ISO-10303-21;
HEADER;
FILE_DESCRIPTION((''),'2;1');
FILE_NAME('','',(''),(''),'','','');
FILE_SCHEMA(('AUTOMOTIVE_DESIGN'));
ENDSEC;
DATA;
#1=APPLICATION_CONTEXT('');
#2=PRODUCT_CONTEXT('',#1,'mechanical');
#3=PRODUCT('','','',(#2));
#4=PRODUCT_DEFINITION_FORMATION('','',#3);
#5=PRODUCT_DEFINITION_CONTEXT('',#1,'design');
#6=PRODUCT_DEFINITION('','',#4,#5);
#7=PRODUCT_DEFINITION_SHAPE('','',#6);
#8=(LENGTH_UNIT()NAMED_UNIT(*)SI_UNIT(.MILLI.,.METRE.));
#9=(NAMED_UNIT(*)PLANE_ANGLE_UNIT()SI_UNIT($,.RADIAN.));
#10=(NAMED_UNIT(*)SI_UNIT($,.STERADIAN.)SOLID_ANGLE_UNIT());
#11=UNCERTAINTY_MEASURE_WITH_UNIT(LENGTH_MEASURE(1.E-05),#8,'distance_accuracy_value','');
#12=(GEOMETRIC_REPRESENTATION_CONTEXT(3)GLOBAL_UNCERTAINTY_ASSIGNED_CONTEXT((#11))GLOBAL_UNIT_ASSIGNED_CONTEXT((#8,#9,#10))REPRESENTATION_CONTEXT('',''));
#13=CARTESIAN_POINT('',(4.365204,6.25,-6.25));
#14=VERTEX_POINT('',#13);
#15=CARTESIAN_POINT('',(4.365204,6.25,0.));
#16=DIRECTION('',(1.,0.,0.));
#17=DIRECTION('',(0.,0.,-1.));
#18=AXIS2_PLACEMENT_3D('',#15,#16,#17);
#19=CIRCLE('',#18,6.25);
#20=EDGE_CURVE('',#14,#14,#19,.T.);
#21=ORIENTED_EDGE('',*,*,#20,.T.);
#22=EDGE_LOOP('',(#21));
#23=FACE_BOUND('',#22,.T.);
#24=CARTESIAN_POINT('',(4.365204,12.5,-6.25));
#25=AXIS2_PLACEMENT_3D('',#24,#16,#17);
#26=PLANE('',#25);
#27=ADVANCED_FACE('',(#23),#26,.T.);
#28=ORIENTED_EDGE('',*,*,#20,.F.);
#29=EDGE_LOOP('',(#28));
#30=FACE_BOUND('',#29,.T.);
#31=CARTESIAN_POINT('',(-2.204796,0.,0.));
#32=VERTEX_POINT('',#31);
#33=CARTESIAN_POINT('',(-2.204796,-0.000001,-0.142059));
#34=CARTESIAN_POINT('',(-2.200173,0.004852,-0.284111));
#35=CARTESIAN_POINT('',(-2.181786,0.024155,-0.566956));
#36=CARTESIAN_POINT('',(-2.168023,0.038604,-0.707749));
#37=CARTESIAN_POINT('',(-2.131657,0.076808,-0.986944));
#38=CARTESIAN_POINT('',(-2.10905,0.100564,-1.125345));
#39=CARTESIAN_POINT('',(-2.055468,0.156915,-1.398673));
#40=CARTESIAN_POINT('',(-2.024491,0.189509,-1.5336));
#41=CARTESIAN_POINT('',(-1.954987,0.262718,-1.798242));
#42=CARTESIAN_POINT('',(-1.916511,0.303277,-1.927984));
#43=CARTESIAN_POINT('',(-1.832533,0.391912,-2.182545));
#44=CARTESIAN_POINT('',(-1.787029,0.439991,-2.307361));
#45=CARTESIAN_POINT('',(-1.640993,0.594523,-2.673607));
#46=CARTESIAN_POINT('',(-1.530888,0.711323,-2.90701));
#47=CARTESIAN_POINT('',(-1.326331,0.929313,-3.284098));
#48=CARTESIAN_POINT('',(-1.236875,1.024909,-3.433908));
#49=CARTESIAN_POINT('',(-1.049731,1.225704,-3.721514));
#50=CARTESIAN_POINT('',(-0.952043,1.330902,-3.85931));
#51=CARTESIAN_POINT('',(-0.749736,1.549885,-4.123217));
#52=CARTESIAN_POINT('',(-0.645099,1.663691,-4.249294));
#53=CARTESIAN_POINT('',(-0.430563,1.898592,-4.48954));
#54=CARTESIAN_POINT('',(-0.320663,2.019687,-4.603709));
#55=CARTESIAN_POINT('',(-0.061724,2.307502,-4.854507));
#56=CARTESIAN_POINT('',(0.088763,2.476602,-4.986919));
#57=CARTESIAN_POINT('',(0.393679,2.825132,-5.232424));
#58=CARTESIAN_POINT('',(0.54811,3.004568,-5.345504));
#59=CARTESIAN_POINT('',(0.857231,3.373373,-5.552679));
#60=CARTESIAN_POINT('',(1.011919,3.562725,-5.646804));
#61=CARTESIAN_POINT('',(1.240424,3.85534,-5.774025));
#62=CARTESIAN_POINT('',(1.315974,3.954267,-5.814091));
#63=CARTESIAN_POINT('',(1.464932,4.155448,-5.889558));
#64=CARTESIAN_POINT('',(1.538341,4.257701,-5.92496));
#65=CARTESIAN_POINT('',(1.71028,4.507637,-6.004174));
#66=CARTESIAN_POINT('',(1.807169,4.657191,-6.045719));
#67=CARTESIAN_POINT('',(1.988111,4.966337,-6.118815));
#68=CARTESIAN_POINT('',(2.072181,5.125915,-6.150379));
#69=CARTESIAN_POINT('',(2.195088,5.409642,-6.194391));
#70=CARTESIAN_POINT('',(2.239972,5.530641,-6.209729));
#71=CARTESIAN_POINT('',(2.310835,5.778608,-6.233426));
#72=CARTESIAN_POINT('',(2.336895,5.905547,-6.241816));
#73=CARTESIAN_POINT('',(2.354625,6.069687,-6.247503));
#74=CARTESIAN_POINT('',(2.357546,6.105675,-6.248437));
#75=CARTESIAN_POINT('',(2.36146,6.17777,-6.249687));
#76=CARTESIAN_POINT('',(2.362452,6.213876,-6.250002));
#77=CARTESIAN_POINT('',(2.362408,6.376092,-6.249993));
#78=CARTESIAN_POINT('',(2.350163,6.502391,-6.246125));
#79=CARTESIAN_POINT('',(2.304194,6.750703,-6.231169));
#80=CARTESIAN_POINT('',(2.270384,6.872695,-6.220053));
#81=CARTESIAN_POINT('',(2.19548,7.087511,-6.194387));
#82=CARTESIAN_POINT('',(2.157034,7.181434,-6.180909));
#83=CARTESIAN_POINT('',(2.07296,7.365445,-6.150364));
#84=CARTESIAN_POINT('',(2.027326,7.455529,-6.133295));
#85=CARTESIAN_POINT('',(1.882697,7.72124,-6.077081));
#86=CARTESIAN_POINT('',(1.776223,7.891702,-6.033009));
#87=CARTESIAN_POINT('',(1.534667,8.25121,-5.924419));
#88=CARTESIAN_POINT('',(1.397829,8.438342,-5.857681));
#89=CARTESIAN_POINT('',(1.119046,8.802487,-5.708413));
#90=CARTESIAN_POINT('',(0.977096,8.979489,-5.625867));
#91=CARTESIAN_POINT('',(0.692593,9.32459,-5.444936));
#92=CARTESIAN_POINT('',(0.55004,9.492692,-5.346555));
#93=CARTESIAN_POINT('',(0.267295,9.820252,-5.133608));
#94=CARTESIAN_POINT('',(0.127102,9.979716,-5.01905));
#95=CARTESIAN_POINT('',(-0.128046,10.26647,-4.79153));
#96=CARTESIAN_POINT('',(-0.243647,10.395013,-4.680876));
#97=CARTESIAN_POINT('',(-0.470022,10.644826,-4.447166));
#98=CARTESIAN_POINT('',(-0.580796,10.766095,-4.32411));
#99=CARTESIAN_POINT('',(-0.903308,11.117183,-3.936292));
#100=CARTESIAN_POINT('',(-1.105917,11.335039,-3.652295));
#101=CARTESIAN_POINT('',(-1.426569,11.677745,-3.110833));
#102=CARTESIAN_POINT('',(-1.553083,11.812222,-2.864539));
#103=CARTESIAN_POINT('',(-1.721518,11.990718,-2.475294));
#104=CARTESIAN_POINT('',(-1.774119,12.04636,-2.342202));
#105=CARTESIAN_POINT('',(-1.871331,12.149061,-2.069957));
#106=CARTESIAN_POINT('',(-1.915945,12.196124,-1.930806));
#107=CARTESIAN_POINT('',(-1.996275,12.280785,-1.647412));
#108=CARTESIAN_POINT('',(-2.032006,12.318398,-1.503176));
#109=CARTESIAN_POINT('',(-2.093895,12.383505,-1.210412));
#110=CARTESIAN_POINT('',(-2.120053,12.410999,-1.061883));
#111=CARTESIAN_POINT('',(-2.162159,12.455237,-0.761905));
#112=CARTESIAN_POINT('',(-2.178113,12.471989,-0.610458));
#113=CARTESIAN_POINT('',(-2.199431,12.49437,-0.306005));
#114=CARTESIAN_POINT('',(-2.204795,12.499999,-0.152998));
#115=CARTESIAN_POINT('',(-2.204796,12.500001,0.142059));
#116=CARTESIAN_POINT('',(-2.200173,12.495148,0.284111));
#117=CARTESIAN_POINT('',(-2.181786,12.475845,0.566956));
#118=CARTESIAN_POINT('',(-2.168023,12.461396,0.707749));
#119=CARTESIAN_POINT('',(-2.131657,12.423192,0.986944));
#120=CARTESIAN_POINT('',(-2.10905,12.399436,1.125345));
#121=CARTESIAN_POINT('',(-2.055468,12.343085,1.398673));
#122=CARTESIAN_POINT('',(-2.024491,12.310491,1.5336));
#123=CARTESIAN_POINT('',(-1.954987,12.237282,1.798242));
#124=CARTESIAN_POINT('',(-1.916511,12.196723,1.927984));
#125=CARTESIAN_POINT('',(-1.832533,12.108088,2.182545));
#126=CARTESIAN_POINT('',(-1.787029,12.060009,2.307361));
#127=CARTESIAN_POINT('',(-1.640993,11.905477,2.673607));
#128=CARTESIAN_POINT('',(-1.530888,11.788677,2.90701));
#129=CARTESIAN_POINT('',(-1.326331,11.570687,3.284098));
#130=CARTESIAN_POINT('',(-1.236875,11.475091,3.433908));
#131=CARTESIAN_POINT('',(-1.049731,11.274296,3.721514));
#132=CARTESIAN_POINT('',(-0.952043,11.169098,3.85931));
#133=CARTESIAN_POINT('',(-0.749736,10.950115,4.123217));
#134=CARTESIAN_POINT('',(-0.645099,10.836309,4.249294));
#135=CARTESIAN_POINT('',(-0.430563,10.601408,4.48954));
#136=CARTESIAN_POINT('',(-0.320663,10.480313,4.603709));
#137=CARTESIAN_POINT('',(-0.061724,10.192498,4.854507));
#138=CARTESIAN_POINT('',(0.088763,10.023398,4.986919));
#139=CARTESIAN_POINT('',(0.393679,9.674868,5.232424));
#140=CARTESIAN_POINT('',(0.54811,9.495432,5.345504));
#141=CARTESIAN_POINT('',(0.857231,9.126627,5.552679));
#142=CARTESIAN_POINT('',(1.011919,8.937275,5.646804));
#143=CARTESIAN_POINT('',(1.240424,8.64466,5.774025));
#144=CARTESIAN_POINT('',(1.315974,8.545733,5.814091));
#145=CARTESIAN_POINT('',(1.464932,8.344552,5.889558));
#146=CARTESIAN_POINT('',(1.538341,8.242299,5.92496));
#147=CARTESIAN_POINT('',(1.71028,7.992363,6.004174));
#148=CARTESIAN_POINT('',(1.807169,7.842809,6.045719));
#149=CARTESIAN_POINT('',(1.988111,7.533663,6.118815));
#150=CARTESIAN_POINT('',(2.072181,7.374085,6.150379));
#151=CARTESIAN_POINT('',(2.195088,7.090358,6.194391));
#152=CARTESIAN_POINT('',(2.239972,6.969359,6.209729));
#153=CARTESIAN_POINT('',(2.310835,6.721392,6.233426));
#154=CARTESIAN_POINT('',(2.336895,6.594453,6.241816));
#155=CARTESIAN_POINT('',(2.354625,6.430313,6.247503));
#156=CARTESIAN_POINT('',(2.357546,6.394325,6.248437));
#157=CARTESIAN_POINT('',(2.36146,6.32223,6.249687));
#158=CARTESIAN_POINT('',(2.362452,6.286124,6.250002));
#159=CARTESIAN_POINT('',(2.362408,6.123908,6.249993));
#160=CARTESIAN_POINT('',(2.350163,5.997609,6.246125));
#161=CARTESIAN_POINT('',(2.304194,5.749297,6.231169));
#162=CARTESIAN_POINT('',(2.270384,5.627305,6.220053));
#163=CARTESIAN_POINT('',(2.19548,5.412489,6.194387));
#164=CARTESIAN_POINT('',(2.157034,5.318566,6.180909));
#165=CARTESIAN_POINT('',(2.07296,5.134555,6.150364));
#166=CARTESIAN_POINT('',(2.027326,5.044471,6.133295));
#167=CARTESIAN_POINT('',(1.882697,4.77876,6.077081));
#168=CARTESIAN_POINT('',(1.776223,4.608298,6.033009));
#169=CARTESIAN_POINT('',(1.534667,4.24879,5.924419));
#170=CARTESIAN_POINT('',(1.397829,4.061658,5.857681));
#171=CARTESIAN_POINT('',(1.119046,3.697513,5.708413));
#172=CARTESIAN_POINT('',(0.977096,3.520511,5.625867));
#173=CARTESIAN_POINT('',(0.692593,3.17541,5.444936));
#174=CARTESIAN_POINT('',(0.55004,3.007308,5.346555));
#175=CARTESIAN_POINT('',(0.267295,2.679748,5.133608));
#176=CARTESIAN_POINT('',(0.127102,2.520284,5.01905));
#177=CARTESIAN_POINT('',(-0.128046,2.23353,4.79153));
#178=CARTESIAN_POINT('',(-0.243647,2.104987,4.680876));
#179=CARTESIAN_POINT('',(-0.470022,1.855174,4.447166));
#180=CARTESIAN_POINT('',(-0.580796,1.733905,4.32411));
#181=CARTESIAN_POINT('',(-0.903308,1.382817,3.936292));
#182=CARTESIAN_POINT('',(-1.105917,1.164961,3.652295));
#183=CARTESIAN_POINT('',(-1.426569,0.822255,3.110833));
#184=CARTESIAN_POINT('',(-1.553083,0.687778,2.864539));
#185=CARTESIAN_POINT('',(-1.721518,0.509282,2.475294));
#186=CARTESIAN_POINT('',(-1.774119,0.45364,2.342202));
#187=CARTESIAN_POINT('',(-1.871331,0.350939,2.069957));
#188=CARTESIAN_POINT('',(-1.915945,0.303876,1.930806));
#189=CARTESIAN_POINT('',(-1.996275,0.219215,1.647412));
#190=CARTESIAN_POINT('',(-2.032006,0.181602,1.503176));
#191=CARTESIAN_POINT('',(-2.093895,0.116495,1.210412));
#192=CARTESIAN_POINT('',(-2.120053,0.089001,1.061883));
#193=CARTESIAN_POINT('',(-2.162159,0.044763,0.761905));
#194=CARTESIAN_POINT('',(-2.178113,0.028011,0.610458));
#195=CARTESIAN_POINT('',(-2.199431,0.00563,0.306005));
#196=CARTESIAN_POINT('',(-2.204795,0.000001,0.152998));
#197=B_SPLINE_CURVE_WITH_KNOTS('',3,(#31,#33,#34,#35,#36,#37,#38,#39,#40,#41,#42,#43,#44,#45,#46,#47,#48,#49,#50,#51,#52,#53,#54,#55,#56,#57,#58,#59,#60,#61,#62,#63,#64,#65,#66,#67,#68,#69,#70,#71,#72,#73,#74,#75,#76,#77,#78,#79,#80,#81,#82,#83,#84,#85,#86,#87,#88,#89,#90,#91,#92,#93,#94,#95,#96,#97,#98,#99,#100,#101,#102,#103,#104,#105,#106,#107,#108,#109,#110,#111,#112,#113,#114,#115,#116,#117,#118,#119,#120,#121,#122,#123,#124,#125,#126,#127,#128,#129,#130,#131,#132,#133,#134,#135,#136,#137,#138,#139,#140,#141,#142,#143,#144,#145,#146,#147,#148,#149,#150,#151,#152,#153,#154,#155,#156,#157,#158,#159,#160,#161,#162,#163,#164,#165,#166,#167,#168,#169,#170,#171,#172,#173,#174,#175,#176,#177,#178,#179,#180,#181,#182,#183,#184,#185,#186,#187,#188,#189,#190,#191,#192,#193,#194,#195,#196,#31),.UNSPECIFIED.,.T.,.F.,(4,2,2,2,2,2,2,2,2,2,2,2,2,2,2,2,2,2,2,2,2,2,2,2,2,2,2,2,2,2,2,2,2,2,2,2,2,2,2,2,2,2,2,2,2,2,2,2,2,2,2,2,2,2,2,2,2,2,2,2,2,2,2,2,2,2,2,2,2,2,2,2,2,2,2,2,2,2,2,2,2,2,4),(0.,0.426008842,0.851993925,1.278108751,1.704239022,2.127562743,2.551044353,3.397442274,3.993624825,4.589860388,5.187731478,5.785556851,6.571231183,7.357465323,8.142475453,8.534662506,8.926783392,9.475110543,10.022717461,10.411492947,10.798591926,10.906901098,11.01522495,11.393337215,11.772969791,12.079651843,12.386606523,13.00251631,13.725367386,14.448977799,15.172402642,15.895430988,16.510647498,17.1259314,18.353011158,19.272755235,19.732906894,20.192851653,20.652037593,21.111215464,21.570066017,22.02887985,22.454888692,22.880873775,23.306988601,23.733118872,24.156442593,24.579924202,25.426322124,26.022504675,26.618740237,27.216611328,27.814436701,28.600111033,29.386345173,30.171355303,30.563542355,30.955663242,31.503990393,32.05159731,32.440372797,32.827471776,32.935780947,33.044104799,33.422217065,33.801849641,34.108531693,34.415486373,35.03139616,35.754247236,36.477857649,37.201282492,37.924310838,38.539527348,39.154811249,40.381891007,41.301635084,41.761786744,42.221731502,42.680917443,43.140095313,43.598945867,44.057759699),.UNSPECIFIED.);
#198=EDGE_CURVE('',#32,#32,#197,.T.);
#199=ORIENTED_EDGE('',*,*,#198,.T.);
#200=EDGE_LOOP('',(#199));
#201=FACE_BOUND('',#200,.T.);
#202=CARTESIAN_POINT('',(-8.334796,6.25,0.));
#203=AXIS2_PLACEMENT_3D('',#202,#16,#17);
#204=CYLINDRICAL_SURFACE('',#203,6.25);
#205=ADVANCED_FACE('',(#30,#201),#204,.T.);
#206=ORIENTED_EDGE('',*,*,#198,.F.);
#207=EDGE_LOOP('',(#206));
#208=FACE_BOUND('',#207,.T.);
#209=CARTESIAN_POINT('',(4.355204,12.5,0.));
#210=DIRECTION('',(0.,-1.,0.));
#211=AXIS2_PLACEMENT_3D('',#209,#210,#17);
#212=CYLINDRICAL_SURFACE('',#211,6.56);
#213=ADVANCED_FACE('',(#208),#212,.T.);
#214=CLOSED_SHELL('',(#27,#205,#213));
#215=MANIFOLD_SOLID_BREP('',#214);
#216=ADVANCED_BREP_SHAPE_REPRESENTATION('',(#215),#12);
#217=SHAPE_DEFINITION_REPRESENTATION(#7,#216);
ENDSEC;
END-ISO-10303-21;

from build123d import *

# Parameters (mm, degrees)
EXTRUDE_1_DEPTH     = 12.5
CUT_EXTRUDE_8_DEPTH = 12.7


with BuildPart() as part:
    # 草图1 → 凸台-拉伸1 (new body)
    with BuildSketch(Plane(origin=(0, 0, 0), x_dir=(1, 0, 0), z_dir=(0, 1, 0))):
        with BuildLine():
            Line((2.362442432, 6.25), (4.365204335, 6.25))
            Line((4.365204335, 6.25), (4.365204335, -6.25))
            Line((4.365204335, -6.25), (2.362442432, -6.25))
            ThreePointArc((2.362442432, -6.25), (-2.204795665, 0), (2.362442432, 6.25))
        make_face()
    extrude(amount=EXTRUDE_1_DEPTH)

    # 草图2 → 切除-拉伸8 (cut)
    with BuildSketch(Plane(origin=(4.365204335, 0, 0), x_dir=(0, 0, -1), z_dir=(1, 0, 0))):
        with BuildLine():
            Line((-6.25, 12.5), (-6.25, 6.25))
            ThreePointArc((-6.25, 6.25), (-4.419417382, 10.669417382), (0, 12.5))
            Line((0, 12.5), (-6.25, 12.5))
        make_face()
        with BuildLine():
            ThreePointArc((0, 12.5), (4.419417382, 10.669417382), (6.25, 6.25))
            Line((6.25, 6.25), (6.25, 12.5))
            Line((6.25, 12.5), (0, 12.5))
        make_face()
        with BuildLine():
            ThreePointArc((6.25, 6.25), (4.419417382, 1.830582618), (0, 0))
            Line((0, 0), (6.25, 0))
            Line((6.25, 0), (6.25, 6.25))
        make_face()
        with BuildLine():
            Line((-6.25, 6.25), (-6.25, 0))
            Line((-6.25, 0), (0, 0))
            ThreePointArc((0, 0), (-4.419417382, 1.830582618), (-6.25, 6.25))
        make_face()
    extrude(amount=-CUT_EXTRUDE_8_DEPTH, mode=Mode.SUBTRACT)


solid = part.part
